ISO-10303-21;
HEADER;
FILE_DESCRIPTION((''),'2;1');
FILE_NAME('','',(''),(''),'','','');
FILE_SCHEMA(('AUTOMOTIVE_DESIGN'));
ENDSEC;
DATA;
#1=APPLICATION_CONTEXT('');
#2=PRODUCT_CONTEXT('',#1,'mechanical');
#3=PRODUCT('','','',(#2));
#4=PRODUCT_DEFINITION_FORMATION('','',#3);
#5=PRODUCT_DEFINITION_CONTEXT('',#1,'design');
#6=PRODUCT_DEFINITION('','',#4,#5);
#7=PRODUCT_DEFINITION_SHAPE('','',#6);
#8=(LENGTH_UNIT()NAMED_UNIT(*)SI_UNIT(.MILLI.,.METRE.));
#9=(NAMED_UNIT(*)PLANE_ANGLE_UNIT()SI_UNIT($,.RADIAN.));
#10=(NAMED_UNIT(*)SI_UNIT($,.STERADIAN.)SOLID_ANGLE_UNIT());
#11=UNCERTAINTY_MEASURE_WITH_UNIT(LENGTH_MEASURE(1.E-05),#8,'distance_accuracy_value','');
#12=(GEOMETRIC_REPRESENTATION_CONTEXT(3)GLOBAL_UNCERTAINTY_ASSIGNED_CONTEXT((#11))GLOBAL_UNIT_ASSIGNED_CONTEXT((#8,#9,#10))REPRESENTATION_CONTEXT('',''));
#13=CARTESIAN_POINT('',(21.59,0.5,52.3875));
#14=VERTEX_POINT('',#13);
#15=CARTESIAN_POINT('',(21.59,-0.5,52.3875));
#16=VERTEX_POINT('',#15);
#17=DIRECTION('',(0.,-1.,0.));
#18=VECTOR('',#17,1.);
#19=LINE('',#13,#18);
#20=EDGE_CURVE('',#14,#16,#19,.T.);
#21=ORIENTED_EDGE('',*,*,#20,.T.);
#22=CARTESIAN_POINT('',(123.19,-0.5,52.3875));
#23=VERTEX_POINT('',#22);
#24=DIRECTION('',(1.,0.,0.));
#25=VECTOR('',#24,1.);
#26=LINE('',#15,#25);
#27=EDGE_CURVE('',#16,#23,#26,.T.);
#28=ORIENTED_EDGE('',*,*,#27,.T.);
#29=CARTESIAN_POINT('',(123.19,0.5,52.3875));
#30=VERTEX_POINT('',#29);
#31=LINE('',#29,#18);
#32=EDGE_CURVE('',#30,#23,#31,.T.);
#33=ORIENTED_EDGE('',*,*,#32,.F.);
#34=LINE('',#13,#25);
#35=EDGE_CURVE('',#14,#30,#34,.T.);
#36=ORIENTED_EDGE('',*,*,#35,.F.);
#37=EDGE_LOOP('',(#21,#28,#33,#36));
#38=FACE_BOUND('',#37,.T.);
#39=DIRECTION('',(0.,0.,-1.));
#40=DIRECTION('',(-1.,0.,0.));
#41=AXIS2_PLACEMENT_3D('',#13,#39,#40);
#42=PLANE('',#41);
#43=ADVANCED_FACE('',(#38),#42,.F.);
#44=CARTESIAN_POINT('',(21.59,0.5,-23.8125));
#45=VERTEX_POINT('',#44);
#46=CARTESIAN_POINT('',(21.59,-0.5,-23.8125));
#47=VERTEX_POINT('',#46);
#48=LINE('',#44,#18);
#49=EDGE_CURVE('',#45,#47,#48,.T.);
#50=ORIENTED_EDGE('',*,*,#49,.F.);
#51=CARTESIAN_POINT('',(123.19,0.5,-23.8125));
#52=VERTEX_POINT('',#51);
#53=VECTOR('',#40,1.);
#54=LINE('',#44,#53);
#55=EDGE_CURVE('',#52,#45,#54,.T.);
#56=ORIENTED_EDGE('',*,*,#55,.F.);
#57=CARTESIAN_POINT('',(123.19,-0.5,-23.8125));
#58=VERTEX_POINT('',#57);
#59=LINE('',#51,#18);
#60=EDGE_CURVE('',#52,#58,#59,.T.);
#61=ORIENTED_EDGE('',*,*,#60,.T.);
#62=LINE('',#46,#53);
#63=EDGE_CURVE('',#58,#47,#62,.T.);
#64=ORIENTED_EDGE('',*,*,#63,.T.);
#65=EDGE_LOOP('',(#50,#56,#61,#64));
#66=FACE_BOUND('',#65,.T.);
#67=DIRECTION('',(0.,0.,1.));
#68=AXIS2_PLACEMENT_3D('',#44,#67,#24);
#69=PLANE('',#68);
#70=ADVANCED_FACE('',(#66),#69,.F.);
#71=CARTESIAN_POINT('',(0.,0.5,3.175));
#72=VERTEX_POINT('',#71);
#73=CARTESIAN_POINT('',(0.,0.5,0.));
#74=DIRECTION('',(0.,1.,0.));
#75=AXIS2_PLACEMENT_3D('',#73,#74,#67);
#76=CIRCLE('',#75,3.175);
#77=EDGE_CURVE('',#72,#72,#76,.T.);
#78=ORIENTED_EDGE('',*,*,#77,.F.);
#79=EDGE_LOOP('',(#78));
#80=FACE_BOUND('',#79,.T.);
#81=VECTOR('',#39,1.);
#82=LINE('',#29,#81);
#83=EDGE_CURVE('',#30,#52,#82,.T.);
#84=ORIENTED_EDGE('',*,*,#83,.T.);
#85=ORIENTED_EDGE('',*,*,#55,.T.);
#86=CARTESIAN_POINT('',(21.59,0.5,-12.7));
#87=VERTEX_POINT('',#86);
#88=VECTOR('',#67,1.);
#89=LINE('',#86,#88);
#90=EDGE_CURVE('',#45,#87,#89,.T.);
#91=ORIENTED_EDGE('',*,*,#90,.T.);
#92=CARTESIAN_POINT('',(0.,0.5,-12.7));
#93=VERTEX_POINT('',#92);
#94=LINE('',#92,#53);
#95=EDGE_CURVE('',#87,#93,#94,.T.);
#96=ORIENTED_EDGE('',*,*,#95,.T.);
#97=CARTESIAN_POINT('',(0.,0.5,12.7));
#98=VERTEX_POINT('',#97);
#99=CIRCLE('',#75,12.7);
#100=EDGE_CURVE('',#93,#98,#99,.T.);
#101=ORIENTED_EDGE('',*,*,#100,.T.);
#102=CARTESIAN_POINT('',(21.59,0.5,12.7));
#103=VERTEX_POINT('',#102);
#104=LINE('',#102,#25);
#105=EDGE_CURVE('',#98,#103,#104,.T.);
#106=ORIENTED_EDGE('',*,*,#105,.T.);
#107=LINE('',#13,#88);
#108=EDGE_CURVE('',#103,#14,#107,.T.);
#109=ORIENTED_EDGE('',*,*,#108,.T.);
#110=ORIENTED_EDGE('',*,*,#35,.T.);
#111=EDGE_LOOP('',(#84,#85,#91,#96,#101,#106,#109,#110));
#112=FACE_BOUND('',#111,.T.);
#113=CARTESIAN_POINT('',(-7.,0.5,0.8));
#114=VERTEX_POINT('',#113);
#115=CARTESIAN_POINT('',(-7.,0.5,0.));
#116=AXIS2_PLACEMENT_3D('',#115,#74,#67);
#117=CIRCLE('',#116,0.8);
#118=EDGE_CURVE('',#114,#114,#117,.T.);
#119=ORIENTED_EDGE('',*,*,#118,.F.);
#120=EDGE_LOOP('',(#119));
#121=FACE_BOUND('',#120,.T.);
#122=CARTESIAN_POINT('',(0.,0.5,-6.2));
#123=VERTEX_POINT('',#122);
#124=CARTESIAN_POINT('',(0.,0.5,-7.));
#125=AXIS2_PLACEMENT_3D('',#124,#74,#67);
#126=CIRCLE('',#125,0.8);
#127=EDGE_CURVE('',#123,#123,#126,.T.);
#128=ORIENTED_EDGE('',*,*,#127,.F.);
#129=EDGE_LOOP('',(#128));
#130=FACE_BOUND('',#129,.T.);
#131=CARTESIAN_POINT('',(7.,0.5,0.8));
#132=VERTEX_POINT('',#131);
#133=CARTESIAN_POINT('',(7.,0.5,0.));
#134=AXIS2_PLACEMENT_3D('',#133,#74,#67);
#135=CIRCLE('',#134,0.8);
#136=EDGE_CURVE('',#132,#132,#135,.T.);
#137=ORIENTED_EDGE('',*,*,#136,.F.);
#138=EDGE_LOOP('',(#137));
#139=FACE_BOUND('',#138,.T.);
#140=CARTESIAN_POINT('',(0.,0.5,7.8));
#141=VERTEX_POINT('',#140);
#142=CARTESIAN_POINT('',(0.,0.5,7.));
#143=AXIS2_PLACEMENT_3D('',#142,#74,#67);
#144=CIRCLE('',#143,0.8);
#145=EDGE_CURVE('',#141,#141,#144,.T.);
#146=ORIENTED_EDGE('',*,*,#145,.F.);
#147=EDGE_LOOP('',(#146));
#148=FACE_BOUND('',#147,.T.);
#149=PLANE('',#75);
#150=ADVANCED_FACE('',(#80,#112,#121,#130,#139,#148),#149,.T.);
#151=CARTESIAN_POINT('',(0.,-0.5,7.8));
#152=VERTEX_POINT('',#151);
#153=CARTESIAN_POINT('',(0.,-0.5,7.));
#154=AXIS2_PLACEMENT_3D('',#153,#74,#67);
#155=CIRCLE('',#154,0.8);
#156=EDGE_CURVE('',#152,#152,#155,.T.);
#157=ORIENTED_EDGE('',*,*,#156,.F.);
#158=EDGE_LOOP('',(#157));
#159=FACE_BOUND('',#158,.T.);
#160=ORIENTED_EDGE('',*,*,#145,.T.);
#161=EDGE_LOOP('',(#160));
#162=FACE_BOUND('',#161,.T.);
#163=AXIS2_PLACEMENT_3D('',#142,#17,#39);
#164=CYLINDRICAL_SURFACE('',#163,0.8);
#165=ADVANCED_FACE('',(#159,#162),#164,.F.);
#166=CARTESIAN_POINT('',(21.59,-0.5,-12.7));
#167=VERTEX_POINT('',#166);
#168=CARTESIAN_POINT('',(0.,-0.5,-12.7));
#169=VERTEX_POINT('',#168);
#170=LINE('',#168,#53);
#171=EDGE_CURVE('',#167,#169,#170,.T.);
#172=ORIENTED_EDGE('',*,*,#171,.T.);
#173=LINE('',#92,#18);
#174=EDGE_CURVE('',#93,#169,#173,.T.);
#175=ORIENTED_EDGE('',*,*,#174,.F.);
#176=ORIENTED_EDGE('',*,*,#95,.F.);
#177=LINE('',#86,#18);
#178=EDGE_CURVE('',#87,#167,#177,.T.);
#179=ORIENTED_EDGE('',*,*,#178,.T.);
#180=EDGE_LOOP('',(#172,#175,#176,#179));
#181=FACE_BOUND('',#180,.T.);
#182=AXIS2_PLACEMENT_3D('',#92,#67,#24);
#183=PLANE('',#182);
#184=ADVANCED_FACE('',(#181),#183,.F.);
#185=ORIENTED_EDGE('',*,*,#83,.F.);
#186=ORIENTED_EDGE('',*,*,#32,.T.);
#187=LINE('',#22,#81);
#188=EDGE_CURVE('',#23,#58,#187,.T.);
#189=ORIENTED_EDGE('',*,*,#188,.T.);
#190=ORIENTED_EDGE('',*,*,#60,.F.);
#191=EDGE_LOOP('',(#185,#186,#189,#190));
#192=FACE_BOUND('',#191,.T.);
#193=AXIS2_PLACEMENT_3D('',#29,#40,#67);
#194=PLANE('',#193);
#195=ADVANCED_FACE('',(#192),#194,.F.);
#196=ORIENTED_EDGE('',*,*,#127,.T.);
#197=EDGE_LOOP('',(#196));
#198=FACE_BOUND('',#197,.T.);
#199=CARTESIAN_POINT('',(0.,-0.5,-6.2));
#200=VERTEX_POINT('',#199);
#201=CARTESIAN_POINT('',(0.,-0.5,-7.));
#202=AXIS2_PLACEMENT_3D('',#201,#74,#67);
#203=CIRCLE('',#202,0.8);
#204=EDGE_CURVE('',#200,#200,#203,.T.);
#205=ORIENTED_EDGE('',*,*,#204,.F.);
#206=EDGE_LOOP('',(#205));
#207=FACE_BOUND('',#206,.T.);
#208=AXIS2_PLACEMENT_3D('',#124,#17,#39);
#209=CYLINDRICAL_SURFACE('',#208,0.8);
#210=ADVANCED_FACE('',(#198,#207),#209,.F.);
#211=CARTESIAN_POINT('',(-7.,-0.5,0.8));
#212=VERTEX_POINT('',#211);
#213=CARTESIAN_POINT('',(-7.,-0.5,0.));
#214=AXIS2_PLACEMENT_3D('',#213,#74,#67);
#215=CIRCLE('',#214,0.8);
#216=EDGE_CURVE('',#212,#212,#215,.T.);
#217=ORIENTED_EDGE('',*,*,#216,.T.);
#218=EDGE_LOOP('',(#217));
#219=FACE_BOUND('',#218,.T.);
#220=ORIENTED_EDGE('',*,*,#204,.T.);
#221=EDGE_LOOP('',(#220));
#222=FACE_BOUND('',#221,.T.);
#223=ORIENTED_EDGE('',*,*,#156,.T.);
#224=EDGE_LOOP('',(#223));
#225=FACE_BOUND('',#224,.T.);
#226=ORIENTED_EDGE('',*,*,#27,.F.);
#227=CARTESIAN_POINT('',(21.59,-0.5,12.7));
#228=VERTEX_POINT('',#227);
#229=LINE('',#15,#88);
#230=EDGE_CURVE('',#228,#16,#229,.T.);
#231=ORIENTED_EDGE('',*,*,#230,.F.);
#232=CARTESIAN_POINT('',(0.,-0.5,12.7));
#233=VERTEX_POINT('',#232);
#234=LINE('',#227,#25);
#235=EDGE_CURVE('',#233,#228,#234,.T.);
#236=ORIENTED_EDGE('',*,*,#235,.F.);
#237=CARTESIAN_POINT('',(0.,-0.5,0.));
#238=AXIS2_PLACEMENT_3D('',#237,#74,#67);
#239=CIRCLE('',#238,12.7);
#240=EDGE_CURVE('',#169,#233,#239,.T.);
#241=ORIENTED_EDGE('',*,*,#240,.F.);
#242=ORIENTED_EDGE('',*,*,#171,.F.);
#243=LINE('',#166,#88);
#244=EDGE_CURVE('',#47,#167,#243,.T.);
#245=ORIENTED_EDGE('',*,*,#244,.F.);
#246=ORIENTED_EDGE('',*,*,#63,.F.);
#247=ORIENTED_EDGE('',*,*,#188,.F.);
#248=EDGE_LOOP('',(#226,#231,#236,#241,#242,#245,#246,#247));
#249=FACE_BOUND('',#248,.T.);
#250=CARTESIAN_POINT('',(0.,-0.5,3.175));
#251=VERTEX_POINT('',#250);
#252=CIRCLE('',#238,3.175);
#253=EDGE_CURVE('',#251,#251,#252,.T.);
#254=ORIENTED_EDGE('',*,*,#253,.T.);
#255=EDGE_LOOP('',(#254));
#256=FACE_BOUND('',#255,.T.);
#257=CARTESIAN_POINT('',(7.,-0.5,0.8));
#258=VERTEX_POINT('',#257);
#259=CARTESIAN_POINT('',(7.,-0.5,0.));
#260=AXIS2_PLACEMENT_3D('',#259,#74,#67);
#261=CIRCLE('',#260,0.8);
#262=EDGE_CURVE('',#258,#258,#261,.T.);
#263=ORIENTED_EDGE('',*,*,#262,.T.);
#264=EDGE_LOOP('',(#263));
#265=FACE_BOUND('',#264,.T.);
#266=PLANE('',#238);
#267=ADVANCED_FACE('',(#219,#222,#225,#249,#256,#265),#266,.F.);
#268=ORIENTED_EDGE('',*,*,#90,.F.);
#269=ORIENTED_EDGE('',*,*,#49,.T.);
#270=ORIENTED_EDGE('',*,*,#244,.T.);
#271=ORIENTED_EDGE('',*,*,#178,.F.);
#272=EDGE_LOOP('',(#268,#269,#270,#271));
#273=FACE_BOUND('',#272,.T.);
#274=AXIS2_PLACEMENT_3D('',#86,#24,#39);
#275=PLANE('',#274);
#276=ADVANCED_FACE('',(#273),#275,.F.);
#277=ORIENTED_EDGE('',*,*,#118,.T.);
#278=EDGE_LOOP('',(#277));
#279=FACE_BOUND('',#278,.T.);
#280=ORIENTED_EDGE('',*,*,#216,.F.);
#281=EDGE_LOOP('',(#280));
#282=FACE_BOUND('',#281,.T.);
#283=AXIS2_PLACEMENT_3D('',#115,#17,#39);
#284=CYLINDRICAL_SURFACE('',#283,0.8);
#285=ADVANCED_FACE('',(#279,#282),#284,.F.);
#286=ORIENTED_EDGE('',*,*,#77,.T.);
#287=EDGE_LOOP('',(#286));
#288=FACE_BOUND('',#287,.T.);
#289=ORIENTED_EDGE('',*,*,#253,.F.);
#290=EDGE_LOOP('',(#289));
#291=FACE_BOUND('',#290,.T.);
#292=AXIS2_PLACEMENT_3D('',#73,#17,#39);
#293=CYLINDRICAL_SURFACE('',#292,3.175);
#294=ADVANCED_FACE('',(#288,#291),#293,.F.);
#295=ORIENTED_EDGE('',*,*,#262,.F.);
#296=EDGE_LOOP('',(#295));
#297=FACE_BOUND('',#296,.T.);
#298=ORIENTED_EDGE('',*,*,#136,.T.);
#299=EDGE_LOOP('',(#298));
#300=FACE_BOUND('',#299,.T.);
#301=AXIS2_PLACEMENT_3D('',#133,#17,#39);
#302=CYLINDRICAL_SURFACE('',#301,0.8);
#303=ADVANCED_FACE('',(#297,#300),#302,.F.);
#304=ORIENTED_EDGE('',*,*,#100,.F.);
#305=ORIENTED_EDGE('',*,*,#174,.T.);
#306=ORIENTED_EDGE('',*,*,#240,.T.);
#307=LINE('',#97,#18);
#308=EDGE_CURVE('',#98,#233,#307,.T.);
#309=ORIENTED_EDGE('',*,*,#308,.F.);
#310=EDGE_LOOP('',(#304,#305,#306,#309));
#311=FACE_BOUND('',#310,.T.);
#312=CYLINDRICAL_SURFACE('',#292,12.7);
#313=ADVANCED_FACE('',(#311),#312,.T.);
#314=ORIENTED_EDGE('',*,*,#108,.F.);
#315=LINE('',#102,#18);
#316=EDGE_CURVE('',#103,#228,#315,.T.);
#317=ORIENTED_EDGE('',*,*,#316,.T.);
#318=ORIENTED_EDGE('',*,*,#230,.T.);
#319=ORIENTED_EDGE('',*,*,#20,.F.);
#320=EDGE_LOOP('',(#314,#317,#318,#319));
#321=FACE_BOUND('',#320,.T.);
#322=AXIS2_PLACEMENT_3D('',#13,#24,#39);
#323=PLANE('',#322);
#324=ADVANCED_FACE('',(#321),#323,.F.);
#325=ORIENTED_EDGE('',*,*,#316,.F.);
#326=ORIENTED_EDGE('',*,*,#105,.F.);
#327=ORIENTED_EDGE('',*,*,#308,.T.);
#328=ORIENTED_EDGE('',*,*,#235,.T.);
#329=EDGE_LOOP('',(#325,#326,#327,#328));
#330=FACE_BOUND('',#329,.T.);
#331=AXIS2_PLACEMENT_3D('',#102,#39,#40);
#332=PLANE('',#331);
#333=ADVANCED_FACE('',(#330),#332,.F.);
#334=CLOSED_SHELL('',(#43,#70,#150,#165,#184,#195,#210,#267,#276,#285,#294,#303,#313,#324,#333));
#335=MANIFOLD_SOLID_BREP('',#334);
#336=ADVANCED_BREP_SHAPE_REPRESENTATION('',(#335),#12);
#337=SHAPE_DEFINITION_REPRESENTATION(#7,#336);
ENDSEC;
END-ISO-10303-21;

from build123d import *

# Parameters (mm, degrees)
SKETCH1_R           = 0.800000051
SKETCH1_R_2         = 3.175
BOSS_EXTRUDE1_DEPTH = 0.500000016


with BuildPart() as part:
    # Sketch1 → Boss-Extrude1 (new, symmetric)
    with BuildSketch(Plane(origin=(0, 0, 0), x_dir=(1, 0, 0), z_dir=(0, 1, 0))):
        with BuildLine():
            Line((0, 12.7), (21.59, 12.7))
            Line((21.59, 12.7), (21.59, 23.8125))
            Line((21.59, 23.8125), (123.19, 23.8125))
            Line((123.19, 23.8125), (123.19, -52.3875))
            Line((123.19, -52.3875), (21.59, -52.3875))
            Line((21.59, -52.3875), (21.59, -12.7))
            Line((21.59, -12.7), (0, -12.7))
            ThreePointArc((0, -12.7), (-12.7, 0), (0, 12.7))
        make_face()
        with Locations(Location((6.99999997, 0, 0), (0, 0, 270))):
            Circle(SKETCH1_R, mode=Mode.SUBTRACT)
        with Locations(Location((0, -6.99999997, 0), (0, 0, 270))):
            Circle(SKETCH1_R, mode=Mode.SUBTRACT)
        with Locations(Location((-6.99999997, 0, 0), (0, 0, 270))):
            Circle(SKETCH1_R, mode=Mode.SUBTRACT)
        with Locations(Location((0, 6.99999997, 0), (0, 0, 270))):
            Circle(SKETCH1_R, mode=Mode.SUBTRACT)
        with Locations(Location((0, 0, 0), (0, 0, 270))):
            Circle(SKETCH1_R_2, mode=Mode.SUBTRACT)
    extrude(amount=BOSS_EXTRUDE1_DEPTH, both=True)


solid = part.part
